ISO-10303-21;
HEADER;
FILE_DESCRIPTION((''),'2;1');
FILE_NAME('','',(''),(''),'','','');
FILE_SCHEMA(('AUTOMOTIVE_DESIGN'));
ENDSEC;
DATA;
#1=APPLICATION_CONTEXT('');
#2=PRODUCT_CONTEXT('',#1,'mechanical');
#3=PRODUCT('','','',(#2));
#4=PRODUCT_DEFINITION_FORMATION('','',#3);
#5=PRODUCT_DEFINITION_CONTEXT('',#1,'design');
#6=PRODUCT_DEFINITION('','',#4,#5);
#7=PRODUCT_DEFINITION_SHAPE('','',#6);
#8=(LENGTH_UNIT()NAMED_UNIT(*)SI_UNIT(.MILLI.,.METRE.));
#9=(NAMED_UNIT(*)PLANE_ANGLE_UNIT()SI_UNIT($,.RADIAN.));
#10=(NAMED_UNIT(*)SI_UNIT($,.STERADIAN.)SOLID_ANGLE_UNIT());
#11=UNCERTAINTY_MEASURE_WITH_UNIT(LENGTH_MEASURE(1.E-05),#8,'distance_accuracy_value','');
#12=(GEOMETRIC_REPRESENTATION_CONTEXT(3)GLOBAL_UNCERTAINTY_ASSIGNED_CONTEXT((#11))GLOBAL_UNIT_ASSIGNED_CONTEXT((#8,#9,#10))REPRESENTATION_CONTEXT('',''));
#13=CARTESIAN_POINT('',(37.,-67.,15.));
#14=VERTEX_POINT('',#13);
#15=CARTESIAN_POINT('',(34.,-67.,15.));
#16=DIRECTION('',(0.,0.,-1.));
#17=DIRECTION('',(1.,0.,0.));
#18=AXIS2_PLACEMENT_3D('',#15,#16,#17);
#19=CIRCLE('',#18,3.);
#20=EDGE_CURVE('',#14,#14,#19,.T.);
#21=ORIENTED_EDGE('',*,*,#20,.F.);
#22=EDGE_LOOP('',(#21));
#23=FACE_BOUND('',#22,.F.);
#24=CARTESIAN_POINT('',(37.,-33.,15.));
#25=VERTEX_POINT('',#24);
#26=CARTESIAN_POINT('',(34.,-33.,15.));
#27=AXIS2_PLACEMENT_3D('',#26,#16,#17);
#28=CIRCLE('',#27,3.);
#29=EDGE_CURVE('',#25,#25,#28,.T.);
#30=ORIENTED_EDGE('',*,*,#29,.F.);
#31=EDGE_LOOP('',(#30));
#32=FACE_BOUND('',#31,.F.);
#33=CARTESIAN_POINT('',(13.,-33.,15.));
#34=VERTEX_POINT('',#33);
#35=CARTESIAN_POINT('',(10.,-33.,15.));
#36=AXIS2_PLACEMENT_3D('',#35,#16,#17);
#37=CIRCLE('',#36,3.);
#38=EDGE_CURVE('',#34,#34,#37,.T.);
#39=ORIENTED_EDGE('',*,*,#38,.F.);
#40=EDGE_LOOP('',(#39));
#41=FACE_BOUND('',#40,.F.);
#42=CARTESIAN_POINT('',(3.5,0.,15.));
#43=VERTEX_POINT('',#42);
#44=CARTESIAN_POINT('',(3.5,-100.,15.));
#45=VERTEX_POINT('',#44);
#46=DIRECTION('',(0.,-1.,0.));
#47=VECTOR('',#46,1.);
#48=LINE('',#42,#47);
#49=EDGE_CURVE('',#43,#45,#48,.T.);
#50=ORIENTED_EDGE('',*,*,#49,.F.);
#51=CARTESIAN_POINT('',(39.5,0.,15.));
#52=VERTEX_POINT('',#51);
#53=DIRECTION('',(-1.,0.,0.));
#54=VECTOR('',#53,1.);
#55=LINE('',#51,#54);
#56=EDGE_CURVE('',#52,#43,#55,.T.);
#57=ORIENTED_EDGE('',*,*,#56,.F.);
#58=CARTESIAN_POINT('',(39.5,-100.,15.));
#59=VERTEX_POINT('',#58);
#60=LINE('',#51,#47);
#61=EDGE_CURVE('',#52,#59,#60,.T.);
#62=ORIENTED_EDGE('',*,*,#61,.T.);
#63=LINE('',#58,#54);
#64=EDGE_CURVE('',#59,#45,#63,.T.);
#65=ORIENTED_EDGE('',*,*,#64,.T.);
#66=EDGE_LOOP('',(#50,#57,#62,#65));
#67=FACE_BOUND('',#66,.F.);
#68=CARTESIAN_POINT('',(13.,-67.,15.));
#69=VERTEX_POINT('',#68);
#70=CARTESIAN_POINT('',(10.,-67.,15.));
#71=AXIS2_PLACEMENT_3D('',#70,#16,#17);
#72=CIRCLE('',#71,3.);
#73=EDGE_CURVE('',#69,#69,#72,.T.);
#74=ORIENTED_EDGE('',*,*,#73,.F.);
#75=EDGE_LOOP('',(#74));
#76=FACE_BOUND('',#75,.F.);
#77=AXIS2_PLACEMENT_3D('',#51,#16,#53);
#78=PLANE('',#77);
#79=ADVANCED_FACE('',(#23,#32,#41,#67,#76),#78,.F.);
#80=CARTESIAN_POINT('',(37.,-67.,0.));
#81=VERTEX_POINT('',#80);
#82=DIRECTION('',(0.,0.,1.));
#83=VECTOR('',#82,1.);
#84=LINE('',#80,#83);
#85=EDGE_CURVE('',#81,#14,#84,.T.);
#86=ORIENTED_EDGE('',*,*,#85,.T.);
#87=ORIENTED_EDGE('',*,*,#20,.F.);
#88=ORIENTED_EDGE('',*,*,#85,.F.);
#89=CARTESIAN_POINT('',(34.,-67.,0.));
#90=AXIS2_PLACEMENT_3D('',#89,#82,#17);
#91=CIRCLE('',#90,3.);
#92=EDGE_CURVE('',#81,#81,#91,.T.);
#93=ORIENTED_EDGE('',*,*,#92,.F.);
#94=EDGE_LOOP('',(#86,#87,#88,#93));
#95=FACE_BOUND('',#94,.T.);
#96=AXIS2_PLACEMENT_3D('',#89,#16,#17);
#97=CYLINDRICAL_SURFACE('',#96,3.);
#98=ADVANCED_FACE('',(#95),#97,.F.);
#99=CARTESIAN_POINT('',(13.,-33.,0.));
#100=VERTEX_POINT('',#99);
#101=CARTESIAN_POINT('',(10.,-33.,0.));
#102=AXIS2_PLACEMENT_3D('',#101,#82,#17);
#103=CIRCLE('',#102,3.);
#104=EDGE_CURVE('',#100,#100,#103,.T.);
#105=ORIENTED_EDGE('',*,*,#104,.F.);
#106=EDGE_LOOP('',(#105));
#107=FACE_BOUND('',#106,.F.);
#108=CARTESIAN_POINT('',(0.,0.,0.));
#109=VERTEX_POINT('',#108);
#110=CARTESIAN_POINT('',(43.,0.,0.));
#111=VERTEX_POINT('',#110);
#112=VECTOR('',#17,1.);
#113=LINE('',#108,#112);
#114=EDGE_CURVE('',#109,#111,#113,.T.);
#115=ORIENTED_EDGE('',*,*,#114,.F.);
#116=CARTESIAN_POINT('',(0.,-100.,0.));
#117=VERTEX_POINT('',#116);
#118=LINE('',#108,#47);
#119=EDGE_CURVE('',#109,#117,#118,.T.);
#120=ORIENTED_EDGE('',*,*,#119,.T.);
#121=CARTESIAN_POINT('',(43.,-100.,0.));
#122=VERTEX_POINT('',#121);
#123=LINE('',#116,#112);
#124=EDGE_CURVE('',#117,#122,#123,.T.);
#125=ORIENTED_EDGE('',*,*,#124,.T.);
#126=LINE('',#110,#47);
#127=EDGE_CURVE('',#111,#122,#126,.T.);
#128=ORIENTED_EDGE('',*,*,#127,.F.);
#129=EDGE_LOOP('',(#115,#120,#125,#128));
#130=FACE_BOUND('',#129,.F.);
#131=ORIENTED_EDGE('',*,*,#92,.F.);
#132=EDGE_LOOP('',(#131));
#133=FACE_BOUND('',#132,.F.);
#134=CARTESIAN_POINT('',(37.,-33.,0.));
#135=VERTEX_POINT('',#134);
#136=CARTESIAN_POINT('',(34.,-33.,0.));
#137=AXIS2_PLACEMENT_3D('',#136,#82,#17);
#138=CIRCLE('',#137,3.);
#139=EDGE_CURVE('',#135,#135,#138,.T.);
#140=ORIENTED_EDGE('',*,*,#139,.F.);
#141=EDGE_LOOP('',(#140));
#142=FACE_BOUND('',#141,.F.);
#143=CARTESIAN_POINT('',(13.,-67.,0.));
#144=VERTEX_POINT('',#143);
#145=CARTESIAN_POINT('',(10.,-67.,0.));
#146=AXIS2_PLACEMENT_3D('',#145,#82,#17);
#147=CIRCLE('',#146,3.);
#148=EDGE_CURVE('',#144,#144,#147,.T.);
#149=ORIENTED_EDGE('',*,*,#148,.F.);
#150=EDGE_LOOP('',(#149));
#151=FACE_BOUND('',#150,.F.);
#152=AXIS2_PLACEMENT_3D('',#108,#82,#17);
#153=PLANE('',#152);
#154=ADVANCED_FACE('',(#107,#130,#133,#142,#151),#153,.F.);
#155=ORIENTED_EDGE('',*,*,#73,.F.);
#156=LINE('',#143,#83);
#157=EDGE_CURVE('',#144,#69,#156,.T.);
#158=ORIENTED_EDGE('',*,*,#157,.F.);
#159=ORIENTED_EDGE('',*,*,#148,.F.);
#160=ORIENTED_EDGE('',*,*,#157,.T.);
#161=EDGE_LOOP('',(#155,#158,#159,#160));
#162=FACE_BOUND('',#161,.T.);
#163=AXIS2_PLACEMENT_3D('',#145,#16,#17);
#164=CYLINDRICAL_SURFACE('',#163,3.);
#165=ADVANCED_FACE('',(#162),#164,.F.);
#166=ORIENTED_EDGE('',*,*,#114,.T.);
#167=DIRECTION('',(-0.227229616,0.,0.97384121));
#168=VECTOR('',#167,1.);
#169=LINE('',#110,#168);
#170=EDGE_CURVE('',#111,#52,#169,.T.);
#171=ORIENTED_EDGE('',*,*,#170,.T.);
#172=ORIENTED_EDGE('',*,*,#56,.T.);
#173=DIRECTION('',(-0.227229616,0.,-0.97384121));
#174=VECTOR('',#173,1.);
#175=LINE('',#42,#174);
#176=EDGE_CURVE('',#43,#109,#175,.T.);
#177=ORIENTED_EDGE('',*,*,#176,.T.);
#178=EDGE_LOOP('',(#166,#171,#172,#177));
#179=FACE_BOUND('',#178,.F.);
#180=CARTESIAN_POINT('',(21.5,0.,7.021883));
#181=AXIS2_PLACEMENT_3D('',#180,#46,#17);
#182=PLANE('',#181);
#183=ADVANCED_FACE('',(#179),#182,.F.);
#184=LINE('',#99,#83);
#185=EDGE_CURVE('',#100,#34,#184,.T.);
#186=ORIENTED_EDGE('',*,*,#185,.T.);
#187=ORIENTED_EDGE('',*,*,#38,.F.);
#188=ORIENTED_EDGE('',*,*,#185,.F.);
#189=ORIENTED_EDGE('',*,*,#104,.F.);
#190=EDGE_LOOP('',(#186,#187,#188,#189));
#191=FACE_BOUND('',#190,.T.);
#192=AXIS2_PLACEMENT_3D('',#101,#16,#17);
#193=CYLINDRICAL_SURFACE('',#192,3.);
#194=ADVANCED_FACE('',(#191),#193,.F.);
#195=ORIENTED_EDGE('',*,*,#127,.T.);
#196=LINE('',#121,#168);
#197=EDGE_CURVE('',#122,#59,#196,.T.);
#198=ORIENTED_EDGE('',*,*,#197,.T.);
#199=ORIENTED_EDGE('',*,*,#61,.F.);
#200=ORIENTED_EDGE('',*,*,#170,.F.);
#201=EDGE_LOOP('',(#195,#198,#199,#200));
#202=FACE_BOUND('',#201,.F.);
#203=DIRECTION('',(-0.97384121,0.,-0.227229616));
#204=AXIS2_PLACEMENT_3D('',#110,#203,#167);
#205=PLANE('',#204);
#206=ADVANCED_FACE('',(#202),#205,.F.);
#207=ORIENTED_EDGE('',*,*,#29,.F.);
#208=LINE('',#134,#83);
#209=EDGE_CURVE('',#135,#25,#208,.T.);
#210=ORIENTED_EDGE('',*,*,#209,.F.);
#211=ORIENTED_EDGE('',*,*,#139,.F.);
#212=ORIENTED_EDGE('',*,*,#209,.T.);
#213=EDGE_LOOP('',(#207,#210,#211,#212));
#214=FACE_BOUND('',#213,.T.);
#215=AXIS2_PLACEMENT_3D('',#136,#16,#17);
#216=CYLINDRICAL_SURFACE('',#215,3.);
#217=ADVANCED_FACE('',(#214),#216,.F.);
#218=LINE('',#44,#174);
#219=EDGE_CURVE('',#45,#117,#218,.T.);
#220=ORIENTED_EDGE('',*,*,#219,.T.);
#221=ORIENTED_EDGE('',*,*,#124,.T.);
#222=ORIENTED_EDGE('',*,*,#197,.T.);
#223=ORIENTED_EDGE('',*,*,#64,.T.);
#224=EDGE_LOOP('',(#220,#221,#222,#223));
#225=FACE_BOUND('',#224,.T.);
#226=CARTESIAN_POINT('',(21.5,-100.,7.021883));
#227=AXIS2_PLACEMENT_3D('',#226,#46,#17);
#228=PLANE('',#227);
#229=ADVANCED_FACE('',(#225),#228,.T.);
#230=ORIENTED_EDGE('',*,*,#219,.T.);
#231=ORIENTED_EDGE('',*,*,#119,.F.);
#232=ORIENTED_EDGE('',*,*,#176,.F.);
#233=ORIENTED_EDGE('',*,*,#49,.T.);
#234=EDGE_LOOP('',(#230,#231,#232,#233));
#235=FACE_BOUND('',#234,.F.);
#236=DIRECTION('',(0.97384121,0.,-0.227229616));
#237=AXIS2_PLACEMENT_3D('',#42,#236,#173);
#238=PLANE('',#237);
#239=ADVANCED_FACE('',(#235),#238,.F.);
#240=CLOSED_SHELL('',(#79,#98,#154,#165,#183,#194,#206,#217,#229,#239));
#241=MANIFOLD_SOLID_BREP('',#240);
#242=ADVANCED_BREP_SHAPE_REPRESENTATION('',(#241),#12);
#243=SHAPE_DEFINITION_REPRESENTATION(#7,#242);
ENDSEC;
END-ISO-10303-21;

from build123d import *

# Parameters (mm, degrees)
CYLINDER001_R     = 3
CYLINDER001_DEPTH = 20
CYLINDER002_R     = 3
CYLINDER002_DEPTH = 20
CYLINDER003_R     = 3
CYLINDER003_DEPTH = 20
CYLINDER_R        = 3
CYLINDER_DEPTH    = 20
EXTRUDE_DEPTH     = 100


with BuildPart() as v_lec001:
    # Cylinder001 → Cylinder001 (new body)
    with BuildSketch(Plane(origin=(0, 34, 0), x_dir=(1, 0, 0), z_dir=(0, 0, 1))):
        Circle(CYLINDER001_R)
    extrude(amount=CYLINDER001_DEPTH)


with BuildPart() as v_lec002:
    # Cylinder002 → Cylinder002 (new body)
    with BuildSketch(Plane(origin=(24, 34, 0), x_dir=(1, 0, 0), z_dir=(0, 0, 1))):
        Circle(CYLINDER002_R)
    extrude(amount=CYLINDER002_DEPTH)


with BuildPart() as v_lec003:
    # Cylinder003 → Cylinder003 (new body)
    with BuildSketch(Plane(origin=(24, 0, 0), x_dir=(1, 0, 0), z_dir=(0, 0, 1))):
        Circle(CYLINDER003_R)
    extrude(amount=CYLINDER003_DEPTH)


with BuildPart() as fusion:
    # Cylinder → Cylinder (new body)
    with BuildSketch(Plane.XY):
        Circle(CYLINDER_R)
    extrude(amount=CYLINDER_DEPTH)

    # Fusion: union Válec001, Válec002, Válec003
    add(v_lec001.part)
    add(v_lec002.part)
    add(v_lec003.part)


with BuildPart() as fusion_1:
    # Fusion placement: moved
    add(fusion.part.moved(Location((10, -67, 0))))


with BuildPart() as cut:
    # Sketch → Extrude (new body)
    with BuildSketch(Plane.XZ):
        Polygon((0, 0), (43, 0), (39.5, 15), (3.5, 15), align=None)
    extrude(amount=EXTRUDE_DEPTH)

    # Cut: cut Fusion
    add(fusion_1.part, mode=Mode.SUBTRACT)


solid = cut.part
